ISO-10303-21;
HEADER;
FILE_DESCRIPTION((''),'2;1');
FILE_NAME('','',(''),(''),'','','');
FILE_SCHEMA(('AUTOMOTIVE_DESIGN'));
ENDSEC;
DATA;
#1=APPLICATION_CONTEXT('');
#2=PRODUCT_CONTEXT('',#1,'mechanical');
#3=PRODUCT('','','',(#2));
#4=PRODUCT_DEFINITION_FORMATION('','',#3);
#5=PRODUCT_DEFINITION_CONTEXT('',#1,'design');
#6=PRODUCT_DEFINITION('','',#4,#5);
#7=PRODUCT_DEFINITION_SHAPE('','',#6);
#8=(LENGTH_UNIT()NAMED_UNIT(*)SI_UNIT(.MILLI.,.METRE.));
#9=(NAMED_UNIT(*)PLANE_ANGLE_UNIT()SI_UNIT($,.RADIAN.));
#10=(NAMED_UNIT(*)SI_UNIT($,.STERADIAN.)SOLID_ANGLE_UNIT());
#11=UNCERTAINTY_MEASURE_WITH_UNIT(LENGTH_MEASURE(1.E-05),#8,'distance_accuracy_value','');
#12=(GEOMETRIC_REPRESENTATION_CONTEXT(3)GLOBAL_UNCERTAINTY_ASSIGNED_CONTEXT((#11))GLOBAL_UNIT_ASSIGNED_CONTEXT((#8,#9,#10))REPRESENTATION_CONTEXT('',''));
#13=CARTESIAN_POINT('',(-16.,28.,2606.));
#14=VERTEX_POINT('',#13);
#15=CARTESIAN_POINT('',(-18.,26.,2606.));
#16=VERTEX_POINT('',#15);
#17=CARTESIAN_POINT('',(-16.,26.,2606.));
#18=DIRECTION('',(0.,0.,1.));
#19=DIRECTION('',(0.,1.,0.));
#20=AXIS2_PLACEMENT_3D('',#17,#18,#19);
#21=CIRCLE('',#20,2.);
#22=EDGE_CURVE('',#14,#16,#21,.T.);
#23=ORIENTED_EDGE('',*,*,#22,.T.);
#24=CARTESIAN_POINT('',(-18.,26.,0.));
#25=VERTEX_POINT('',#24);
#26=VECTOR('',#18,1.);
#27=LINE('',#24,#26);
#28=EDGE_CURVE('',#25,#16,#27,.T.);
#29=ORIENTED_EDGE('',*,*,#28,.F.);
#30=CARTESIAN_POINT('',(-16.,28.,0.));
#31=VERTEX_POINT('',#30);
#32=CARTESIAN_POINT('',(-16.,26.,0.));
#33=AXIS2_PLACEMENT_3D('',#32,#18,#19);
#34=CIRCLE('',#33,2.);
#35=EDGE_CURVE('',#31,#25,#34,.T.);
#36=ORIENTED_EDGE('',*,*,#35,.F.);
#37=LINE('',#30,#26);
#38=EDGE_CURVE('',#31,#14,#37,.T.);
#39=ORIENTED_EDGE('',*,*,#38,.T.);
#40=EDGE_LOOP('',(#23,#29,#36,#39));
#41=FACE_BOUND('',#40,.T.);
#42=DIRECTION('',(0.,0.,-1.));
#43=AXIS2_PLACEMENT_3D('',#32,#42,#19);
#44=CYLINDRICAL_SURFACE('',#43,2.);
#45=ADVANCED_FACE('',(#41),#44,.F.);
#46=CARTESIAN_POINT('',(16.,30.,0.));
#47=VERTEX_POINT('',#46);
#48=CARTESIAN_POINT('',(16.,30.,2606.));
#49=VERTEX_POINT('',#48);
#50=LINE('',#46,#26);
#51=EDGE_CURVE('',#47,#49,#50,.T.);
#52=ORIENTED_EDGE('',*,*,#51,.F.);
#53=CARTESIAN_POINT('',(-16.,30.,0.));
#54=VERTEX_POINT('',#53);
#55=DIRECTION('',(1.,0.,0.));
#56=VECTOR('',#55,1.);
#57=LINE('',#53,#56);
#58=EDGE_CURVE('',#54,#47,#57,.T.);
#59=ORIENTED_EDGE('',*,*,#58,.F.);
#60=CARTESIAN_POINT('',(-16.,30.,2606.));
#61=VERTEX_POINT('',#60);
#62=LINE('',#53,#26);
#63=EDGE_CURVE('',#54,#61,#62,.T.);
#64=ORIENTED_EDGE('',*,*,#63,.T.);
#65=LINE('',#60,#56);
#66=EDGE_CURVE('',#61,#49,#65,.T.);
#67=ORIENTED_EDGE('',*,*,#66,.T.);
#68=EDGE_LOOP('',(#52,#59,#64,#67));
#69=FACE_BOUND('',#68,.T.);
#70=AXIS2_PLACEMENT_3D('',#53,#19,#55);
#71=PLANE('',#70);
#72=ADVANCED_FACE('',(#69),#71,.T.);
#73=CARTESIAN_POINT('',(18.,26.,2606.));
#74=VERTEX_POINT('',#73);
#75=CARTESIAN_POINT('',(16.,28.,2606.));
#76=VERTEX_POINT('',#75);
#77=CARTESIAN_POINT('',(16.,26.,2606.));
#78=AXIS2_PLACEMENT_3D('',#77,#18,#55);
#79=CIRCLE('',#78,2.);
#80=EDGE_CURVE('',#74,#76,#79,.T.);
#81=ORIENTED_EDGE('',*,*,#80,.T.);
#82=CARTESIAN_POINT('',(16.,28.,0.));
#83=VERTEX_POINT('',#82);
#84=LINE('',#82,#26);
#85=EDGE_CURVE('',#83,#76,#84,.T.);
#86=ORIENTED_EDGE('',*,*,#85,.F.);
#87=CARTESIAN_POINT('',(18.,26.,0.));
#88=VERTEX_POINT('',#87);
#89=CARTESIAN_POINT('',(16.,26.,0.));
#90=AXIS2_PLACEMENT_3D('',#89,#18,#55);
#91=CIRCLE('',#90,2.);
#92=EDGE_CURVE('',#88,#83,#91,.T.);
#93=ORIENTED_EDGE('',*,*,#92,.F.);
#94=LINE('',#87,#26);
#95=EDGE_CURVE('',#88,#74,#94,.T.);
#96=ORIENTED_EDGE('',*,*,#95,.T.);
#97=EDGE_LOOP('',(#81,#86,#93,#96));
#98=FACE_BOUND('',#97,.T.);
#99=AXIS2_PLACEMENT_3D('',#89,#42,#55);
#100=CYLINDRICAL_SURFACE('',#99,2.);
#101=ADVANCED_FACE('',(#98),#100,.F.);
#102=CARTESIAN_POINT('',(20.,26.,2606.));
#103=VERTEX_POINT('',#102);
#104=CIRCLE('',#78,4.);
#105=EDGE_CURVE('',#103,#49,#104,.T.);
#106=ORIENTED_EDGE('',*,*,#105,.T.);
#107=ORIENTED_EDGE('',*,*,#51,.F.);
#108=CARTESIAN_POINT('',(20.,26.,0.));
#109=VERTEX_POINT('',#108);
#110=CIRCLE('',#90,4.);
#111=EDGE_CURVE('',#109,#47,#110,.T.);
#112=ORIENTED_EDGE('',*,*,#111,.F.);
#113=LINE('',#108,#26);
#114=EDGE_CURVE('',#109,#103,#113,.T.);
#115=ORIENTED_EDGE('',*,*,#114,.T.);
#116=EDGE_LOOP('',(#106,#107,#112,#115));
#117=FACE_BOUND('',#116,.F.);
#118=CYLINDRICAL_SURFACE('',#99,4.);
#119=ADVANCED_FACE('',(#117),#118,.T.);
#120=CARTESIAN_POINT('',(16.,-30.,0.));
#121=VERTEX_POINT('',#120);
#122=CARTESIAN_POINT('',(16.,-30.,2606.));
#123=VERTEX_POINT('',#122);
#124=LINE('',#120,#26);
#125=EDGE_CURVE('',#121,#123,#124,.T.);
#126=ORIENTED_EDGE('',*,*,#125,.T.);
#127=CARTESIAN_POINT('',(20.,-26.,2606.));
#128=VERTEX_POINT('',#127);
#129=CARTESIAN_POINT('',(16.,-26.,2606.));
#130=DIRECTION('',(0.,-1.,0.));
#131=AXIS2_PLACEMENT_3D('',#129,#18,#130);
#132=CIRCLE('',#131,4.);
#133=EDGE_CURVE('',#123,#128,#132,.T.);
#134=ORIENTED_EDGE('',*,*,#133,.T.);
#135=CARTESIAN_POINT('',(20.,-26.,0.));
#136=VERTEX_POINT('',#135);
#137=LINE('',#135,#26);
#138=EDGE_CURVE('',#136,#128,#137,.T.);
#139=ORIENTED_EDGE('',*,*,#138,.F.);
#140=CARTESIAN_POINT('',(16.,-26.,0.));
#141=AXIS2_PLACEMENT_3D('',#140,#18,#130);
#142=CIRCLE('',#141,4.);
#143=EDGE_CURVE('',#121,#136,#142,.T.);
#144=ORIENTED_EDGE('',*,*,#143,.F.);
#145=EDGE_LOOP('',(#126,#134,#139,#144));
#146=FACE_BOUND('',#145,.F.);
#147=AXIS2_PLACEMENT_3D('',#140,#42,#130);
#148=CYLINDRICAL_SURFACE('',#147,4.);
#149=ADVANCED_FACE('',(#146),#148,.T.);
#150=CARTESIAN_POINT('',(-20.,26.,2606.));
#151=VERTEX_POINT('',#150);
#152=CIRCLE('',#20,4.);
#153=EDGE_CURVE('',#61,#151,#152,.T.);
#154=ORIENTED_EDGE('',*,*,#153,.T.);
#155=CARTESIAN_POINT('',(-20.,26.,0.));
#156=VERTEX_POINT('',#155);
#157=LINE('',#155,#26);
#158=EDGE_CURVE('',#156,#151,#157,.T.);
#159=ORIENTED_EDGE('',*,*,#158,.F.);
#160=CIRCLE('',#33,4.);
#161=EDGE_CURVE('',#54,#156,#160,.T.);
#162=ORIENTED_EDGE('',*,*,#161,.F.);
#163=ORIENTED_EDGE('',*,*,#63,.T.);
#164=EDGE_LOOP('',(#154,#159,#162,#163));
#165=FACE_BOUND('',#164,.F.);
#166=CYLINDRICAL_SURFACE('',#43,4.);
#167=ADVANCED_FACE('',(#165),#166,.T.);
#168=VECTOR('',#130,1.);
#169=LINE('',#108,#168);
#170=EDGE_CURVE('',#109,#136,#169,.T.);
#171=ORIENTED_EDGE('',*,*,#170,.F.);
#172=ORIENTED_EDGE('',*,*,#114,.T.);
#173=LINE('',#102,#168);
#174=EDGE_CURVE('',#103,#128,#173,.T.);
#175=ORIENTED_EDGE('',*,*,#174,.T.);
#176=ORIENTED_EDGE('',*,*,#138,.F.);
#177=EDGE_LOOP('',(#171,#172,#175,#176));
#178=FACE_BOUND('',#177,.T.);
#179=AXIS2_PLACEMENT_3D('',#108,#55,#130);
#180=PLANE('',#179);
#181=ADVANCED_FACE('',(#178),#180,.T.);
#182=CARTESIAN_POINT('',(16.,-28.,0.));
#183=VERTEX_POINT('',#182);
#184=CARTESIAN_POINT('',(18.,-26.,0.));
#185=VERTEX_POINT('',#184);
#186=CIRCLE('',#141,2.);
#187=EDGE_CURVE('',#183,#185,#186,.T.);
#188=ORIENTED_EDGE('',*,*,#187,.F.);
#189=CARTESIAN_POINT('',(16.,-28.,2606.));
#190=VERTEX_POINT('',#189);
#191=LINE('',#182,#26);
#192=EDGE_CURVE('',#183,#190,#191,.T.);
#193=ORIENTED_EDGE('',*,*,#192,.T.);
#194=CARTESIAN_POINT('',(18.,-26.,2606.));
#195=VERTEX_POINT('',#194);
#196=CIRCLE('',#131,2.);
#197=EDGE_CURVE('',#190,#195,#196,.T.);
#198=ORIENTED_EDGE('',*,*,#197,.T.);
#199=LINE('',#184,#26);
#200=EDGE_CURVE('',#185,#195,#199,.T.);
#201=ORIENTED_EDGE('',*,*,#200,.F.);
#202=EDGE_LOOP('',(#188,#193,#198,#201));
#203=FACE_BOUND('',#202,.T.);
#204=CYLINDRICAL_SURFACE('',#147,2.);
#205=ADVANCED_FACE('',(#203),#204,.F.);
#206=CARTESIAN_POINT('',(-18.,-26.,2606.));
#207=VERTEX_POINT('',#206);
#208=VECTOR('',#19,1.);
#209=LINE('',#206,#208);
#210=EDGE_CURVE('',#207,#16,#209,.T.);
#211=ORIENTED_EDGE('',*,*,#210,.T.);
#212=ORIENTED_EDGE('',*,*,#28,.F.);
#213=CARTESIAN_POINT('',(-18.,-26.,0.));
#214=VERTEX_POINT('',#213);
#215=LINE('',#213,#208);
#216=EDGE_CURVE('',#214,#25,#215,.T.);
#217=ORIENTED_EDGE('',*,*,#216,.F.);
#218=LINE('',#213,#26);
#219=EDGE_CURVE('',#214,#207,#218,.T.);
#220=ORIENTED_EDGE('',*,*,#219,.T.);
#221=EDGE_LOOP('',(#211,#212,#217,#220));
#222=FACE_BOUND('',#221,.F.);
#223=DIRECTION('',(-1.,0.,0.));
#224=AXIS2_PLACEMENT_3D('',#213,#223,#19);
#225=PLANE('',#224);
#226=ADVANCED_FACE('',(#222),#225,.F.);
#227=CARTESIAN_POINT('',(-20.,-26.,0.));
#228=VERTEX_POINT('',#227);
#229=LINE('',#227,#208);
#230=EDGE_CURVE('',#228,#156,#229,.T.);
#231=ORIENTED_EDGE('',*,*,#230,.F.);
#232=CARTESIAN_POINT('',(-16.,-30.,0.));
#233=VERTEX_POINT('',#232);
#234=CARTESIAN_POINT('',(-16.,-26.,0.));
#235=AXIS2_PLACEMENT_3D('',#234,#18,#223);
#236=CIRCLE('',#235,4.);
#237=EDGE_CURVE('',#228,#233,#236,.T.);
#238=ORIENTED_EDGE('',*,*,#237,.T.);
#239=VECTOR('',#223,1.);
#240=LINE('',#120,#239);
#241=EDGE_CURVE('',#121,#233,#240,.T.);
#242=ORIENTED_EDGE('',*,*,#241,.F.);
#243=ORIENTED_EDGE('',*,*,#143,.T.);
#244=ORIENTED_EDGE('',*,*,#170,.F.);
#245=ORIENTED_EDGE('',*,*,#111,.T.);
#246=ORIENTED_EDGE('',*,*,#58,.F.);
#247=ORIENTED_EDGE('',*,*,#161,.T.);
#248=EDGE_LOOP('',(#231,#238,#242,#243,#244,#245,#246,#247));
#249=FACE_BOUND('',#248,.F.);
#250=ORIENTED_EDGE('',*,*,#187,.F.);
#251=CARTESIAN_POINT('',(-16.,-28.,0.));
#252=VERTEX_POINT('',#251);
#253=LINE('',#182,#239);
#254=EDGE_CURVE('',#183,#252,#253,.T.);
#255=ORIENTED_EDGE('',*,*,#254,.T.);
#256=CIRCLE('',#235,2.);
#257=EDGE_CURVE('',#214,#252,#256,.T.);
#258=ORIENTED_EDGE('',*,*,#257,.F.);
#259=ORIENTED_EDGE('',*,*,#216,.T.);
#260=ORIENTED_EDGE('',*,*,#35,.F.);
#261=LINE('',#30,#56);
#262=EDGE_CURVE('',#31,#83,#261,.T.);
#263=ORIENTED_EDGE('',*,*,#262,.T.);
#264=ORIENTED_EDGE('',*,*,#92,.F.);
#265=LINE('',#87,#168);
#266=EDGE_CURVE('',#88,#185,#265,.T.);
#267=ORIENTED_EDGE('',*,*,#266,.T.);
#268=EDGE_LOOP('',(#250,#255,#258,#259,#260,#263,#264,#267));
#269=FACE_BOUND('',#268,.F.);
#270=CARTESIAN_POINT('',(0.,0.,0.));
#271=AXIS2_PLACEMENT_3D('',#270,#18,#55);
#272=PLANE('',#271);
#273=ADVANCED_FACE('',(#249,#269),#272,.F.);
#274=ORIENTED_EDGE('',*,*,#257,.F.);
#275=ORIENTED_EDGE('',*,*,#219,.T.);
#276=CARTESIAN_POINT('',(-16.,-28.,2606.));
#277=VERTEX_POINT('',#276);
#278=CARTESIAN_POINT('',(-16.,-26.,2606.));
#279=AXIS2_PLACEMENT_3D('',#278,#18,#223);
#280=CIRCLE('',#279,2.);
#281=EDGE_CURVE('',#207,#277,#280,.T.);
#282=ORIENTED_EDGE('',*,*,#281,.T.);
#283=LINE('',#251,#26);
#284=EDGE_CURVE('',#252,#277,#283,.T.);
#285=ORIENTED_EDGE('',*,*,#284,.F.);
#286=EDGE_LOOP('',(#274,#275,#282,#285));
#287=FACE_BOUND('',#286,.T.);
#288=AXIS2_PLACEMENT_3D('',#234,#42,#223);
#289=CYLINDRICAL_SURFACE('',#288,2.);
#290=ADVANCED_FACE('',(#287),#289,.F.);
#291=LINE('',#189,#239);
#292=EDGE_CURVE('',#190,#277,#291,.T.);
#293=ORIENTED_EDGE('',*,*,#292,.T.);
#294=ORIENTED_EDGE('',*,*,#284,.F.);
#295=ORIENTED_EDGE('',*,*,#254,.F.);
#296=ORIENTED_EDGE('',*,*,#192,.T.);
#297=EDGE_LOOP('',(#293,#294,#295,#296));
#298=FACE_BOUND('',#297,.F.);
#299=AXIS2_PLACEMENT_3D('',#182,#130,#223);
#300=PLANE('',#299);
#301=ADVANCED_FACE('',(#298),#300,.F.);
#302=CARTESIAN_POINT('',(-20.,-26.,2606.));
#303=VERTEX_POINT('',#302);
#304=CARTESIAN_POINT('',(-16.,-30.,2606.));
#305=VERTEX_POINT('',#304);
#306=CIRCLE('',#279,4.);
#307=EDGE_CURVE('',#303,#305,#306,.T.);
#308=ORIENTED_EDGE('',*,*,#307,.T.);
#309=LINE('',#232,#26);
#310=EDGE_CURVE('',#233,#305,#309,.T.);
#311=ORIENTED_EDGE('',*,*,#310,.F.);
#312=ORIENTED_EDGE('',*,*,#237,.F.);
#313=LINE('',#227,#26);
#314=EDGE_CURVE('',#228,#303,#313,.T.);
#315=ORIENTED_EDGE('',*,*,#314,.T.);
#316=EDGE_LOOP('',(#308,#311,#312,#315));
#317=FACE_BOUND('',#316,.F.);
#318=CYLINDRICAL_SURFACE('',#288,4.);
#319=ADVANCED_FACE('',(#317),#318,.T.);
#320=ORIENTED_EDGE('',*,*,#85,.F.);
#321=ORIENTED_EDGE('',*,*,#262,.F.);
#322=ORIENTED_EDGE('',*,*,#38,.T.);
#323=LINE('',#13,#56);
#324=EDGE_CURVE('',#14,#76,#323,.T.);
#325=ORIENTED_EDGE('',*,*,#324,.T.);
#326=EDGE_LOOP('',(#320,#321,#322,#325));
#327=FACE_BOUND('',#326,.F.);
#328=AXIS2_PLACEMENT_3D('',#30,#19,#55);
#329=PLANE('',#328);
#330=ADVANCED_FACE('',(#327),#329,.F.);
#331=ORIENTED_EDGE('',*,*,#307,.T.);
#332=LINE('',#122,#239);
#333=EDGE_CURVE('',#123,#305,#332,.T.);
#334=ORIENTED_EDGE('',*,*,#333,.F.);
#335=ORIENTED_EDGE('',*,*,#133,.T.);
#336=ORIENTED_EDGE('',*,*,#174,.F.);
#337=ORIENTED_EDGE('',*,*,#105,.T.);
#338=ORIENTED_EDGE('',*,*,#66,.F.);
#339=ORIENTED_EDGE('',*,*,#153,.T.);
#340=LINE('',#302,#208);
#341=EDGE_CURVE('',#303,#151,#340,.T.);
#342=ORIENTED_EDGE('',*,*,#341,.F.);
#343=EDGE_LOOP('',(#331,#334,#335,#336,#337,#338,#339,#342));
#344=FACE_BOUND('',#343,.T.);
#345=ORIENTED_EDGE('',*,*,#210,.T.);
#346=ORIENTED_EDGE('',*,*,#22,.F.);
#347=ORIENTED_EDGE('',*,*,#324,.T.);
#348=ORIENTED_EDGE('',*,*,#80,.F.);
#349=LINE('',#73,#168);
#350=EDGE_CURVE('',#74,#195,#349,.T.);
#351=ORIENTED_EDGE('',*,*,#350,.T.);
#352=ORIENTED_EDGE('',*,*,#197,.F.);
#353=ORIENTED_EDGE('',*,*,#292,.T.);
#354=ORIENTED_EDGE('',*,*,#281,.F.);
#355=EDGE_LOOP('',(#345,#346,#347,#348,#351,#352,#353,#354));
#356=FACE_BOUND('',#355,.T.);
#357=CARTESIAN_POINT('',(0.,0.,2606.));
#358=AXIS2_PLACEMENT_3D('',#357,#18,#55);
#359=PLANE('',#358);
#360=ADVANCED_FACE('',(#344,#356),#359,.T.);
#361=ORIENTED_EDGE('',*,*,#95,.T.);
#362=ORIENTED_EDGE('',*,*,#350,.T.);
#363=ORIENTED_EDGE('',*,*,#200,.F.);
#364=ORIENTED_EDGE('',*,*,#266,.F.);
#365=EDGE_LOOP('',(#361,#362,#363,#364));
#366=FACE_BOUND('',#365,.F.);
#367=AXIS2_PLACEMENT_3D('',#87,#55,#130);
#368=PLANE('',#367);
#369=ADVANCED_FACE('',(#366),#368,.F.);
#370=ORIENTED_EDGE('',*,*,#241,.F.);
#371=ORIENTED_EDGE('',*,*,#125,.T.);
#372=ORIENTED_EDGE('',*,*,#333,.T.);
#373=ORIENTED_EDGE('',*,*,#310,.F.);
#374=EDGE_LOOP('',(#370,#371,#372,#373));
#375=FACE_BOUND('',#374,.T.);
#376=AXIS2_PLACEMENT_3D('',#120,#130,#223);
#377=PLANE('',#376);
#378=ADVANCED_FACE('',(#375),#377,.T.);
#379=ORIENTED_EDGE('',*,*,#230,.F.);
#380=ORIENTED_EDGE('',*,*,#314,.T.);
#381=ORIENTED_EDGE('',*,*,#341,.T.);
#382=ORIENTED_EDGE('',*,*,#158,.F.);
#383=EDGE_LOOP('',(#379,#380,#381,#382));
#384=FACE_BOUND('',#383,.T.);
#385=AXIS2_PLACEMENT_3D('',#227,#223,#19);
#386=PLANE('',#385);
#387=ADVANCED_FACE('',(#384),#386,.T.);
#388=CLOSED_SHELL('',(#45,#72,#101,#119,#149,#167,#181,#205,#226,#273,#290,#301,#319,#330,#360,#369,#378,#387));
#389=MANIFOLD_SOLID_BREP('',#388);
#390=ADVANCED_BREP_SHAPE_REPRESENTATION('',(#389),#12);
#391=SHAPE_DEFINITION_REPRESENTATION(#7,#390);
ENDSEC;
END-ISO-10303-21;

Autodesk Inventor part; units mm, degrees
ref_plane "YZ Plane" through (0, 0, 0) normal (1, 0, 0) x (0, 1, 0)
ref_plane "Start Plane" through (0, 0, 0) normal (0, 0, 1) x (1, 0, 0)
ref_plane "End Plane" through (0, 0, 2606) normal (0, 0, 1) x (1, 0, 0)
sketch "Sketch" plane through (0, 0, 0) normal (0, 0, 1) x (1, 0, 0)
  line L0 (-20, -26) -> (-20, 26)
  line L1 (-16, 30) -> (16, 30)
  line L2 (20, 26) -> (20, -26)
  line L3 (16, -30) -> (-16, -30)
  arc A0 (-20, -26) -> (-16, -30) centre (-16, -26) ccw
  arc A1 (20, 26) -> (16, 30) centre (16, 26) ccw
  arc A2 (-16, 30) -> (-20, 26) centre (-16, 26) ccw
  arc A3 (16, -30) -> (20, -26) centre (16, -26) ccw
  arc A4 (-16, 28) -> (-18, 26) centre (-16, 26) ccw
  line L4 (-16, 28) -> (16, 28)
  arc A5 (18, 26) -> (16, 28) centre (16, 26) ccw
  line L5 (18, 26) -> (18, -26)
  arc A6 (16, -28) -> (18, -26) centre (16, -26) ccw
  line L6 (16, -28) -> (-16, -28)
  arc A7 (-18, -26) -> (-16, -28) centre (-16, -26) ccw
  line L7 (-18, -26) -> (-18, 26)
  line L8 (0, 43.1598) -> (0, -43.1598) construction
  line L9 (-29.1598, 0) -> (29.1598, 0) construction
  dimension "d7" = 4
  dimension "d9" = 40
  dimension "d11" = 60
  dimension "d12" = 2
  dimension "d15" = 20
  dimension "d16" = 30
extrude "Body" add sketch "Sketch" along normal up to surface (2606 mm away) from surface at 0
sketch "Sketch3" plane through (0, 0, 0) normal (0, 0, 1) x (1, 0, 0)
  line L0 (0, 0) -> (10, 0)
ref_plane "Work Plane3" through (0, 0, 0) normal (0, -1, 0) x (1, 0, 0)
sketch "Sketch4" plane through (0, 0, 0) normal (0, -1, 0) x (1, 0, 0)
  line L0 (-2, 0) -> (12, 0) projected
  line L1 (-2, 2606) -> (12, 2606) projected
  dimension "d18" = 2606
equation "\"d7\" = G_IR"
equation "\"d9\" = G_W"
equation "\"d11\" = G_H"
equation "\"d12\" = G_T"
equation "\"d15\" = 0.5 * d9"
equation "\"d16\" = 0.5 * d11"
equation "\"d3\" = G_L"
equation "\"G_W\" = 40"
equation "\"G_H\" = 60"
equation "\"G_T\" = 2"
equation "\"G_IR\" = 4"
equation "\"G_L\" = d18"
equation "\"G_OFFSET_START\" = 0"
equation "\"G_OFFSET_END\" = 0"
equation "\"d14\" = G_OFFSET_END + B_L"
equation "\"B_L\" = 2606"
properties part number "ISO 10799-2 - 60x40x2 - 2606" material "Steel, Mild"
